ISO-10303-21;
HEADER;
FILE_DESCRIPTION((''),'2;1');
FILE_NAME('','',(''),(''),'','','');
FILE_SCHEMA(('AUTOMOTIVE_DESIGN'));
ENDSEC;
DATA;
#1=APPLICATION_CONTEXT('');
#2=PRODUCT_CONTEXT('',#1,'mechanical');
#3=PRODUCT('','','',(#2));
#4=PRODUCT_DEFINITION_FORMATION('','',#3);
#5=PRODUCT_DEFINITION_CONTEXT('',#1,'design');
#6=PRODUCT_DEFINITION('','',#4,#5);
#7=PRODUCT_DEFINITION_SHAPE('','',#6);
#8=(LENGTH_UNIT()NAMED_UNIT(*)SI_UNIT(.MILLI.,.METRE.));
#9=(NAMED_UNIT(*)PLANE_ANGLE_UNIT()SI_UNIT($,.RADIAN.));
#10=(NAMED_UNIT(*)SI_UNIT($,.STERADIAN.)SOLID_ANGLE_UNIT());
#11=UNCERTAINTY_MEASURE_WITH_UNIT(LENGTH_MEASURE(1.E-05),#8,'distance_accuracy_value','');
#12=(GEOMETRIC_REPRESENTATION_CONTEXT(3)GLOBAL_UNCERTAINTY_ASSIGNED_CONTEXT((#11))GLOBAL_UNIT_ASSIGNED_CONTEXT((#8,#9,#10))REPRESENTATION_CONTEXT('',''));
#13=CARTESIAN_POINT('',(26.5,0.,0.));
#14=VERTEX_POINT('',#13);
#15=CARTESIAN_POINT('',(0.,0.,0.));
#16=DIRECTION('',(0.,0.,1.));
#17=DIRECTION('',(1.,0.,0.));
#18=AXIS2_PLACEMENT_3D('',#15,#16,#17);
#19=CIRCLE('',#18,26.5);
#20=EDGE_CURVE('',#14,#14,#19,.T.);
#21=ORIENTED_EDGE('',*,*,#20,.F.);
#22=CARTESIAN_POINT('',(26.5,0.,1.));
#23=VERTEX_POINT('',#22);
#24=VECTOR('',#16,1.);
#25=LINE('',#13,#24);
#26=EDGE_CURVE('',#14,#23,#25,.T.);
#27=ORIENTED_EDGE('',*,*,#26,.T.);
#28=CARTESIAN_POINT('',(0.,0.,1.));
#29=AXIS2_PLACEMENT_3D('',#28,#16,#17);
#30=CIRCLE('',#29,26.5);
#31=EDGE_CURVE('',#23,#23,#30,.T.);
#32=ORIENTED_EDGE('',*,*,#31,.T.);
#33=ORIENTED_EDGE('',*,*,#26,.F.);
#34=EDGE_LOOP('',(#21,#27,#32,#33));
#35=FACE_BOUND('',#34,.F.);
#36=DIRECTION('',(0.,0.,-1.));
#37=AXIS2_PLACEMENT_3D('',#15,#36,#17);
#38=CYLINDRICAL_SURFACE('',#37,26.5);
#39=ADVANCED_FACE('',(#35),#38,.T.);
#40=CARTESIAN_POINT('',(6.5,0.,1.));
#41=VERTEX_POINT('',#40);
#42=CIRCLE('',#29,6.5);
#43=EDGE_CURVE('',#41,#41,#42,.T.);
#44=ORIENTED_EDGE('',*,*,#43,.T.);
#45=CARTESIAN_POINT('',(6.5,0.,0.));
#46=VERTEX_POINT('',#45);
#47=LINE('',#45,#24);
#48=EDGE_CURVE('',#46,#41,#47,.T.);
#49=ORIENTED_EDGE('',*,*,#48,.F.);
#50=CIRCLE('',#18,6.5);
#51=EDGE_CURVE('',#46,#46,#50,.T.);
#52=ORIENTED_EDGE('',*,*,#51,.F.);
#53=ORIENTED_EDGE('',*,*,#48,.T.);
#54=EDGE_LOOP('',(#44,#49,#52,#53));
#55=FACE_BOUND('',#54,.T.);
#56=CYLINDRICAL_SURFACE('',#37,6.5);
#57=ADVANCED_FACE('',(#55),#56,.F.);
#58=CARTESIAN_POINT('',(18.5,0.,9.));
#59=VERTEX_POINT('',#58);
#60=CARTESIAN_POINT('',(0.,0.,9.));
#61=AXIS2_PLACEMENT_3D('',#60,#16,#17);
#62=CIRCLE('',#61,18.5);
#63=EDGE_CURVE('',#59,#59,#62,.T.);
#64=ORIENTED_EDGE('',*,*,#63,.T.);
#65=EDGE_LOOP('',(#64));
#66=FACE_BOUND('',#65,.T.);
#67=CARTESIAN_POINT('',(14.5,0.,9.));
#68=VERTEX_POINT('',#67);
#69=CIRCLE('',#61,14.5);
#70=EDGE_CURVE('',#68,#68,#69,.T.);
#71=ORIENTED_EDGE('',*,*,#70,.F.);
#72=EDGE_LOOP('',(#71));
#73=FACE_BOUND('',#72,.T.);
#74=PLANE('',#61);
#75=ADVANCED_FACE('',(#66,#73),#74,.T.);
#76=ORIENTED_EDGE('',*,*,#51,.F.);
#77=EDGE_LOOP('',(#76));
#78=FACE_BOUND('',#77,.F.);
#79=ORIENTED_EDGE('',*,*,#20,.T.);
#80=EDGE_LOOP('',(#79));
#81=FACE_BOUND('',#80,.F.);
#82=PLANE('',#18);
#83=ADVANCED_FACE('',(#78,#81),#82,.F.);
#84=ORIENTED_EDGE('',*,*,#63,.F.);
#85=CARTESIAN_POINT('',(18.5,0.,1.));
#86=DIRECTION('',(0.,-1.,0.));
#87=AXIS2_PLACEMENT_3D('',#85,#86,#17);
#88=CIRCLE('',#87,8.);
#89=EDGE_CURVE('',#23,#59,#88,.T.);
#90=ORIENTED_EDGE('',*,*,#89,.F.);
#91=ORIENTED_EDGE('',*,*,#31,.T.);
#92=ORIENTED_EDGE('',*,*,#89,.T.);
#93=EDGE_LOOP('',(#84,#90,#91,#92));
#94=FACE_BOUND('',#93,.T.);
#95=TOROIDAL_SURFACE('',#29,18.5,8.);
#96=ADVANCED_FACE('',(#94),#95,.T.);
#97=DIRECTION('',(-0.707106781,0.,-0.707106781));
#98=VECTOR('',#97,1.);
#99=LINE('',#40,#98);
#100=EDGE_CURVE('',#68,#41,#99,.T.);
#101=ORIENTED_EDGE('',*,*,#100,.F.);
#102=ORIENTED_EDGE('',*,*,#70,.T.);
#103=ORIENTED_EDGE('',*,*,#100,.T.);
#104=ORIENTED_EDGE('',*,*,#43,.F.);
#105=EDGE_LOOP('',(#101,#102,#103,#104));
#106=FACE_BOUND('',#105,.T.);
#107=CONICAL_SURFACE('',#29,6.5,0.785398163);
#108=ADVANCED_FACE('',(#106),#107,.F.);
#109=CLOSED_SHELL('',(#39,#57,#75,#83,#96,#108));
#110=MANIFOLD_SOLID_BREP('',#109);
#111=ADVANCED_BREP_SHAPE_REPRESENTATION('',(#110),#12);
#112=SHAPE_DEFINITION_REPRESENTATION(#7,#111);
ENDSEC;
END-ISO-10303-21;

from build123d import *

# Parameters (mm, degrees)
F0_R     = 26.5
F0_R_2   = 6.5
F1_DEPTH = 9
F2_R     = 8
F3_SIZE  = 8


with BuildPart() as f1:
    # F0 (on Top) → F1 (new body)
    with BuildSketch(Plane.XY):
        Circle(F0_R)
        Circle(F0_R_2, mode=Mode.SUBTRACT)
    extrude(amount=F1_DEPTH)

    # F2
    f2_edges = [f1.edges().sort_by_distance(p)[0] for p in [
        (-26.5, 0, 9),
    ]]
    fillet(f2_edges, radius=F2_R)

    # F3
    f3_edges = [f1.edges().sort_by_distance(p)[0] for p in [
        (-6.5, 0, 9),
    ]]
    chamfer(f3_edges, length=F3_SIZE)


solid = f1.part
